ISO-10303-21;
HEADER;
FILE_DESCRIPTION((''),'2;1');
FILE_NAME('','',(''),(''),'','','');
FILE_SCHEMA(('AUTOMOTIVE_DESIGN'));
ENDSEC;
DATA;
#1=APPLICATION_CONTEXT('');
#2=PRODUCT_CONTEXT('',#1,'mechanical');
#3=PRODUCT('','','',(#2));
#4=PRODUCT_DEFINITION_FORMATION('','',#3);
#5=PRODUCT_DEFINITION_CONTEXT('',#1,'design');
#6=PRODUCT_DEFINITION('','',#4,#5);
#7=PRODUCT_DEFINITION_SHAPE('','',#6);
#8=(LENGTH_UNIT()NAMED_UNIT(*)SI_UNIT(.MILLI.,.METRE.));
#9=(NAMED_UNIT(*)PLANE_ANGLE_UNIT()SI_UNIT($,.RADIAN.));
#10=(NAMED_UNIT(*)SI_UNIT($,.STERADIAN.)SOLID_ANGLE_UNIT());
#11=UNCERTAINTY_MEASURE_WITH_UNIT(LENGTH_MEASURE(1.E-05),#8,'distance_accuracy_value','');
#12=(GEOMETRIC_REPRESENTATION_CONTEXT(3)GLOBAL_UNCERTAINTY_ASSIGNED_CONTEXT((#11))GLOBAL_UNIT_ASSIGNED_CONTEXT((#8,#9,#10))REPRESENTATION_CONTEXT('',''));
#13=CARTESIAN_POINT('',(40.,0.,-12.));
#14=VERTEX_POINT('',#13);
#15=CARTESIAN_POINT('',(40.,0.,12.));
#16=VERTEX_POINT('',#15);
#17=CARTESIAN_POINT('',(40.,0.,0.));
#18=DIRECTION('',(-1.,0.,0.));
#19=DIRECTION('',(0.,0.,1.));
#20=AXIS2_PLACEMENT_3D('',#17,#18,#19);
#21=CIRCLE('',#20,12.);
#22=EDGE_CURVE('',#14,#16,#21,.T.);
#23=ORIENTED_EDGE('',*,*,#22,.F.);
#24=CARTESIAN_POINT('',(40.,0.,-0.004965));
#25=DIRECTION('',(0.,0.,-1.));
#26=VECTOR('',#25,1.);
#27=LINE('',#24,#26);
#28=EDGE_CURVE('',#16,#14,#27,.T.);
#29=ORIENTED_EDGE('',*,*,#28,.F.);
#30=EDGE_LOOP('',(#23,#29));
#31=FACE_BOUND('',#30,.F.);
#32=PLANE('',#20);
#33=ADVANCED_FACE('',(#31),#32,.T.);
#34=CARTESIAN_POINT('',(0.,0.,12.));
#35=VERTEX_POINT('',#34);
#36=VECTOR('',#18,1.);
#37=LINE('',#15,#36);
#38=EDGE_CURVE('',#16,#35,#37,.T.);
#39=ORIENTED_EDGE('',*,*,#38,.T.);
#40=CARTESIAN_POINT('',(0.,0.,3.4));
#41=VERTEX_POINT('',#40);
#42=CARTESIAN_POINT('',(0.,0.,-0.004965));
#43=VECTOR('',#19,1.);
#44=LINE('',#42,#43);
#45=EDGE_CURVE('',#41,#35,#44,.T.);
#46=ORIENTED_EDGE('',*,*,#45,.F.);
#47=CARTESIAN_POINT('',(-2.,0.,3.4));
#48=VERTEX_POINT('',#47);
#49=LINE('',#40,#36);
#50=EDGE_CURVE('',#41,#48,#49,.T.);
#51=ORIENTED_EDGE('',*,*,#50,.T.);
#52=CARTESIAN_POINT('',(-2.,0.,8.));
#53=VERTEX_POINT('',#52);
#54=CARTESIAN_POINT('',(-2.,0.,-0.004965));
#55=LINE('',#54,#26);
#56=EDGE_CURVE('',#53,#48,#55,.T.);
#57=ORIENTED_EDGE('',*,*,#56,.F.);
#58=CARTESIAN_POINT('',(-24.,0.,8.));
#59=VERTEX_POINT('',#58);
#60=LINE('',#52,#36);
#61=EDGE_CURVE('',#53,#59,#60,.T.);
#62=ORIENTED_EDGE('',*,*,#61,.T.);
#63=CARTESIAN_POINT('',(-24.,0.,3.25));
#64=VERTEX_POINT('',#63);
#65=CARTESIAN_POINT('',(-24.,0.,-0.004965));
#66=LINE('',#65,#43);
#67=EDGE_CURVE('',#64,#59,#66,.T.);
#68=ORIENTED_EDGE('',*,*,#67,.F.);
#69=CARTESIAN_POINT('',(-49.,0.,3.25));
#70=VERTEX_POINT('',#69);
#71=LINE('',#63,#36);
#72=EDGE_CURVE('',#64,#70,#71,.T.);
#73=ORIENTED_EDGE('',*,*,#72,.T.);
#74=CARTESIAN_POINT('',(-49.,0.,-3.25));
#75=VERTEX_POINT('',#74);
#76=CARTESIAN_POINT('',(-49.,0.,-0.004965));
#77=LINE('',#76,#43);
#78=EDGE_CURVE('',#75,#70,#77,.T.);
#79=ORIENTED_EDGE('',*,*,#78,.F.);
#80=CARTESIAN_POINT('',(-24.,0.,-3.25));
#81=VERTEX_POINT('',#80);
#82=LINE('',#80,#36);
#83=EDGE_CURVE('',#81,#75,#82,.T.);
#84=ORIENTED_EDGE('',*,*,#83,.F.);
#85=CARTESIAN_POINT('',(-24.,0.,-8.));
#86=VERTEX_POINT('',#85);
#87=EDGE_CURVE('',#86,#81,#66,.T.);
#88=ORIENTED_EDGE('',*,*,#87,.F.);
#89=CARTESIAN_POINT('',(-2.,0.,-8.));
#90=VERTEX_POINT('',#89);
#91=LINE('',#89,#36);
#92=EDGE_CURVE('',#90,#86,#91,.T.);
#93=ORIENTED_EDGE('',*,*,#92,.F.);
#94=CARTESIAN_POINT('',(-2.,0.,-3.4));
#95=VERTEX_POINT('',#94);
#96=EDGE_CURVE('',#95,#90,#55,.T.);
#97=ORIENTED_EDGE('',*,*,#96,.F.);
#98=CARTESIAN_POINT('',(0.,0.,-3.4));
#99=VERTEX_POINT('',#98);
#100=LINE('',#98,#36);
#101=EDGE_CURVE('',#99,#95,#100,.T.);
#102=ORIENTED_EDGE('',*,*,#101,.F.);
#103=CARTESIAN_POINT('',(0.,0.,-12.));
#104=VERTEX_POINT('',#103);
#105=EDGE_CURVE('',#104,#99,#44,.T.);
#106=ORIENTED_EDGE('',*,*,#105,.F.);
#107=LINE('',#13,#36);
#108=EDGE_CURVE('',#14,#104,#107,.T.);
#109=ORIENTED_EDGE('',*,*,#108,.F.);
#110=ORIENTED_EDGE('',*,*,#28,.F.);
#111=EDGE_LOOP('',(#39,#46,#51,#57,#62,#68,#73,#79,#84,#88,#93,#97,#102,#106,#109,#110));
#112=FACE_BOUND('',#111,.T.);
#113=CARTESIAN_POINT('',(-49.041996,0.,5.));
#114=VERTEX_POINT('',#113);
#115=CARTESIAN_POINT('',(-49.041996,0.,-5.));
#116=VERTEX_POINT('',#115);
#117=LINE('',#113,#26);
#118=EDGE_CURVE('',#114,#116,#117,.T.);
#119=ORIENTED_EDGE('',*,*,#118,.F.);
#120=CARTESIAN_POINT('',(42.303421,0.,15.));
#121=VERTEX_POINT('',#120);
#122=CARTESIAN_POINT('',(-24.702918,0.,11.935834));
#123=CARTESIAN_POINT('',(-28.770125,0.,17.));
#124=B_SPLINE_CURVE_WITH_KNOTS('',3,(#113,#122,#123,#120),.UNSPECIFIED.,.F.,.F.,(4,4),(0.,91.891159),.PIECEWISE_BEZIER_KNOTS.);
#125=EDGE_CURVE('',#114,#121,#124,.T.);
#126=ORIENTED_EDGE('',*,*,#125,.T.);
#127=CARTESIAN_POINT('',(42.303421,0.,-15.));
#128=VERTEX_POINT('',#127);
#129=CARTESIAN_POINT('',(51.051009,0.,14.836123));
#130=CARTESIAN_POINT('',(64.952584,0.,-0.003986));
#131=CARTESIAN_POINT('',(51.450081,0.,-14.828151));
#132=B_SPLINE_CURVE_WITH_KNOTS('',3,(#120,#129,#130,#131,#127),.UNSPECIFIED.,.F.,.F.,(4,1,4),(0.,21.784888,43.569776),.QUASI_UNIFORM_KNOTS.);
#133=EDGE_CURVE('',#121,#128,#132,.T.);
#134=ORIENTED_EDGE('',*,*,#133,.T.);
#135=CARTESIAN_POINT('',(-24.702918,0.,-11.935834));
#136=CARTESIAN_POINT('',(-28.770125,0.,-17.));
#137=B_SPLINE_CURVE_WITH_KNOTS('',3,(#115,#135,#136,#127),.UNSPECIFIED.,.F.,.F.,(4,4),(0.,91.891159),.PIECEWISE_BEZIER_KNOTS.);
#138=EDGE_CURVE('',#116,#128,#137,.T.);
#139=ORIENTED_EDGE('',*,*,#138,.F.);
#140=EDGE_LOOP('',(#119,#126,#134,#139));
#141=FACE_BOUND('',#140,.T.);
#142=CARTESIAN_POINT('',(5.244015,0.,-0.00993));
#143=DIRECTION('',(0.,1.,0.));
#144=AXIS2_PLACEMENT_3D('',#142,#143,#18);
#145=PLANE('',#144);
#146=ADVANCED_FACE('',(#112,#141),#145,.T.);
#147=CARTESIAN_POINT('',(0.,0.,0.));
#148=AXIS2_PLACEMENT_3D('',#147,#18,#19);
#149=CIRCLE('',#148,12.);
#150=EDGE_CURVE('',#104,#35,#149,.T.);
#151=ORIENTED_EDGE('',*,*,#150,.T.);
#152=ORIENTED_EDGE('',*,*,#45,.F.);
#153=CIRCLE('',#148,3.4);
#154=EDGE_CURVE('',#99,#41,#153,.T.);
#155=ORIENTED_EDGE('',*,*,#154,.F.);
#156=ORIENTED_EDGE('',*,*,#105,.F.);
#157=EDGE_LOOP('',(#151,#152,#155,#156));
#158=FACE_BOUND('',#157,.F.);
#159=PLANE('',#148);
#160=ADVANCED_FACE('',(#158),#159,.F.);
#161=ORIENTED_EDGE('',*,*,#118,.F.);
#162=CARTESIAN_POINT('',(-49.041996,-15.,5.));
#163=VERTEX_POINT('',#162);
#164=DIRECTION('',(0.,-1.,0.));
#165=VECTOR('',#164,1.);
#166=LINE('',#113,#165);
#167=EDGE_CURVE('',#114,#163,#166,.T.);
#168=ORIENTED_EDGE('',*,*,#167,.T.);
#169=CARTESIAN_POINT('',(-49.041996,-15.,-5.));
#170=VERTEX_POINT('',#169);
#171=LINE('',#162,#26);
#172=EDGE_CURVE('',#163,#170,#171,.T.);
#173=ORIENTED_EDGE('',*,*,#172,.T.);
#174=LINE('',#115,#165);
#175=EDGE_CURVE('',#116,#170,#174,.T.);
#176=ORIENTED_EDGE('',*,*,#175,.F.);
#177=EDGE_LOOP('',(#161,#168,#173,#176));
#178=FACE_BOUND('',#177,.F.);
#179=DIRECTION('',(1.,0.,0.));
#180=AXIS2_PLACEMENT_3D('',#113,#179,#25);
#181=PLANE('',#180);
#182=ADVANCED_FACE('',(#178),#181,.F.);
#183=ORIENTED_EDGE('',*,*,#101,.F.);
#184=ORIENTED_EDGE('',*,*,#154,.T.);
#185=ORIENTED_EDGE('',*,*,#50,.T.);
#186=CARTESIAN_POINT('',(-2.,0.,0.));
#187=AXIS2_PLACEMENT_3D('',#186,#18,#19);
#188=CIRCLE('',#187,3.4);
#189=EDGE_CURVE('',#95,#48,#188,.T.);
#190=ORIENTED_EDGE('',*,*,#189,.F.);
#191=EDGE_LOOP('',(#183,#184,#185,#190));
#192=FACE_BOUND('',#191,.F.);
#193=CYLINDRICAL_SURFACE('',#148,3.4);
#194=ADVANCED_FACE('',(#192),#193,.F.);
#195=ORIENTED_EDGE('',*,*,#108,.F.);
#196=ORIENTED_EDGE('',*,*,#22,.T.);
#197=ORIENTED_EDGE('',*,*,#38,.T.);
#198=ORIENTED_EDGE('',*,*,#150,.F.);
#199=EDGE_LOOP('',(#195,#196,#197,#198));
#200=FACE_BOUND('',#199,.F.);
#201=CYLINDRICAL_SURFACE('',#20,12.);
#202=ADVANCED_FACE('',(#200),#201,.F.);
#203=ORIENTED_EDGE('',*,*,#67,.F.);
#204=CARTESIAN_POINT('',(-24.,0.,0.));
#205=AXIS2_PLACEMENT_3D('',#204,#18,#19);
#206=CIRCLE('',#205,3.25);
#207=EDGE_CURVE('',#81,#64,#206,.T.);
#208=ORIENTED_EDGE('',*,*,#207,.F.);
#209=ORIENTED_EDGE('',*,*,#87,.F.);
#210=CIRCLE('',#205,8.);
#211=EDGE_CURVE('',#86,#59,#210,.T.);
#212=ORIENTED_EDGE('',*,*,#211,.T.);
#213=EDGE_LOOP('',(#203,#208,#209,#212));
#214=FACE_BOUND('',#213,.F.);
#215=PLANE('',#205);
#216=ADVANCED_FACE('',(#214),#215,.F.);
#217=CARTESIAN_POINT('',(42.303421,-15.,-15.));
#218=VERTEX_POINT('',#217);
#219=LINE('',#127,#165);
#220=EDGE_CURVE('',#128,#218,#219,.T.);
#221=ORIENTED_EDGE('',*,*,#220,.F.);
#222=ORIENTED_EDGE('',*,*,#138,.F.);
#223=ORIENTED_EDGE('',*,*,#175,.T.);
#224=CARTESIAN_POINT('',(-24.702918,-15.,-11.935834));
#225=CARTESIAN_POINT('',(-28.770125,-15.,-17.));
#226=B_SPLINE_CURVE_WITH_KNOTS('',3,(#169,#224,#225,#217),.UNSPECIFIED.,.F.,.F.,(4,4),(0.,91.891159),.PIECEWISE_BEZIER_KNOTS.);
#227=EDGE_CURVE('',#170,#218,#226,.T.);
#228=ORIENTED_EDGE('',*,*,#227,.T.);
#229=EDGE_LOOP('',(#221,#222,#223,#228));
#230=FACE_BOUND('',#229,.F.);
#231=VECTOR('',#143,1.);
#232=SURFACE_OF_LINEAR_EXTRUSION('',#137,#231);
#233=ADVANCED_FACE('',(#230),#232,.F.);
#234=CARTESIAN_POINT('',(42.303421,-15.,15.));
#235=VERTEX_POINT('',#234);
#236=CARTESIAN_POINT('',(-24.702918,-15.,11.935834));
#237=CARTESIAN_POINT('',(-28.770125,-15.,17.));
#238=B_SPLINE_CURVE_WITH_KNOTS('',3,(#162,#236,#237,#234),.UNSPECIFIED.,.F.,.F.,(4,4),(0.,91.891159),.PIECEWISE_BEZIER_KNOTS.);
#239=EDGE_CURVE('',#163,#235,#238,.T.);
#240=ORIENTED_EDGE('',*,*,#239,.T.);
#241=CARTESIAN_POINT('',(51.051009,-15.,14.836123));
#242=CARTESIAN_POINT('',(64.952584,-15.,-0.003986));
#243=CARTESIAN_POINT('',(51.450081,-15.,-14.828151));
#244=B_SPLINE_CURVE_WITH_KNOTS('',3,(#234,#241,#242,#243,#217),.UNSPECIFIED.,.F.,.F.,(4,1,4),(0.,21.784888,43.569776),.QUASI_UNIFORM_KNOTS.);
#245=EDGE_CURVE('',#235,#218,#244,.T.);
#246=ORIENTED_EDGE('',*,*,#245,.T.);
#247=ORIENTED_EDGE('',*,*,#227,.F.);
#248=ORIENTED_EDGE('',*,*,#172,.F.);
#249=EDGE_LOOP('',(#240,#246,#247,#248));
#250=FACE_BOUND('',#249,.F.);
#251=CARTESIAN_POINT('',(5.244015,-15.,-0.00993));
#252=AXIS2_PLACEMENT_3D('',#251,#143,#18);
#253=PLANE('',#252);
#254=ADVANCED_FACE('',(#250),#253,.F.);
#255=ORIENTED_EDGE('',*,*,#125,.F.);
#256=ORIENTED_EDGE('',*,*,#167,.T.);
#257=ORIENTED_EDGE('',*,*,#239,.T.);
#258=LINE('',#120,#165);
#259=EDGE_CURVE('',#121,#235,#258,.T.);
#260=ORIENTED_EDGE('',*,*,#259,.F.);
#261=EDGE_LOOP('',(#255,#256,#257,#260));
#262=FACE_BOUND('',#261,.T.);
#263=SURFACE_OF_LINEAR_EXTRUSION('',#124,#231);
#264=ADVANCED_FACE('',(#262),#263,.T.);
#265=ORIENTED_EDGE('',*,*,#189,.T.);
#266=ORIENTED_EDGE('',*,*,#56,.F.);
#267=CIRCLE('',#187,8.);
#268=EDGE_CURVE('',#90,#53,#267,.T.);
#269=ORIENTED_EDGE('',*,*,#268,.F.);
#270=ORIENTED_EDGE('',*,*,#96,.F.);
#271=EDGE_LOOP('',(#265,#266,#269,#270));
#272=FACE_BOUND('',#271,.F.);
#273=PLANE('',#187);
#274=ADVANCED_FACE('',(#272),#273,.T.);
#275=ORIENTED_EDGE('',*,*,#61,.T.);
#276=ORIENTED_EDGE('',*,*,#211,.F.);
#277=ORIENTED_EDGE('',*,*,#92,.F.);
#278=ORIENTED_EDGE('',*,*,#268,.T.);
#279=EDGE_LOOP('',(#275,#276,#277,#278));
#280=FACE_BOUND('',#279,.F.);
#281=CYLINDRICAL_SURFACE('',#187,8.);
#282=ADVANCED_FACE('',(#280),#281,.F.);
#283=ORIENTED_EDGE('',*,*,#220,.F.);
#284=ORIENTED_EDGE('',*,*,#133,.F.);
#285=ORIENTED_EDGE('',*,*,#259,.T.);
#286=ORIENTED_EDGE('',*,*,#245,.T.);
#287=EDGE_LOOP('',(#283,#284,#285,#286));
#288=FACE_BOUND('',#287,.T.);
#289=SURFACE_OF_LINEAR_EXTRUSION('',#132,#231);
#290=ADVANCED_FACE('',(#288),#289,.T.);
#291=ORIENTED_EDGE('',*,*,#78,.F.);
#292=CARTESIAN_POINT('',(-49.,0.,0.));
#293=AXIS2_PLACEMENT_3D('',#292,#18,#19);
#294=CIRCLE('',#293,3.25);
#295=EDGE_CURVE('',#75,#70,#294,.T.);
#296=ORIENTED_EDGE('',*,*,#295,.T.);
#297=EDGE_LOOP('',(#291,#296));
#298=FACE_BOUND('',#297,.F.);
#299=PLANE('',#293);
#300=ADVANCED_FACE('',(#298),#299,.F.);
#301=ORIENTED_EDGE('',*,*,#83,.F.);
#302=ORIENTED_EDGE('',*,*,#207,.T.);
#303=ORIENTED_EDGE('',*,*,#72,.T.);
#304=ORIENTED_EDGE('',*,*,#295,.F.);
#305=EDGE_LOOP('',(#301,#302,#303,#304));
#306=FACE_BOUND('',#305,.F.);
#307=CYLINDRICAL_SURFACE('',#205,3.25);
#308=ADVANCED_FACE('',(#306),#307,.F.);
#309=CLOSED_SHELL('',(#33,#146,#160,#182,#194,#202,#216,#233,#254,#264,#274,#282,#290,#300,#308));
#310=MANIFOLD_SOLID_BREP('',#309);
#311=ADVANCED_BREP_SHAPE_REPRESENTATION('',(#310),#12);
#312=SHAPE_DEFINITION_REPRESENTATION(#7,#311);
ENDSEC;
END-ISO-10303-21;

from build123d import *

# Parameters (mm, degrees)
F3_DEPTH = 15


with BuildPart() as f1:
    # F0 (on Front) → F1 (revolve)
    with BuildSketch(Plane.XZ):
        Polygon((-24, 3.25), (-49, 3.25), (-49, 0), (40, 0), (40, 12), (0, 12), (0, 3.4), (-2, 3.4), (-2, 8), (-24, 8), align=None)
    revolve(axis=Axis((-4.5, 0, 0), (-1, 0, 0)))


with BuildPart() as f3:
    # F2 (on Front) → F3 (new body)
    with BuildSketch(Plane.XZ):
        with BuildLine():
            add(Edge.make_bspline(
                [(-49.041996, 5), (-24.702918, 11.935834), (-28.770125, 17), (42.303421, 15)],
                knots=[0, 0, 0, 0, 91.891159, 91.891159, 91.891159, 91.891159], degree=3))
            Line((-49.041996, 5), (-49.041996, -5))
            add(Edge.make_bspline(
                [(-49.041996, -5), (-24.702918, -11.935834), (-28.770125, -17), (42.303421, -15)],
                knots=[0, 0, 0, 0, 91.891159, 91.891159, 91.891159, 91.891159], degree=3))
            add(Edge.make_bspline(
                [(42.303421, 15), (51.051009, 14.836123), (64.952584, -0.003986), (51.450081, -14.828151), (42.303421, -15)],
                knots=[0, 0, 0, 0, 21.784888, 43.569776, 43.569776, 43.569776, 43.569776], degree=3))
        make_face()
    extrude(amount=F3_DEPTH)

    # F4: cut F1
    add(f1.part, mode=Mode.SUBTRACT)


solid = f3.part
